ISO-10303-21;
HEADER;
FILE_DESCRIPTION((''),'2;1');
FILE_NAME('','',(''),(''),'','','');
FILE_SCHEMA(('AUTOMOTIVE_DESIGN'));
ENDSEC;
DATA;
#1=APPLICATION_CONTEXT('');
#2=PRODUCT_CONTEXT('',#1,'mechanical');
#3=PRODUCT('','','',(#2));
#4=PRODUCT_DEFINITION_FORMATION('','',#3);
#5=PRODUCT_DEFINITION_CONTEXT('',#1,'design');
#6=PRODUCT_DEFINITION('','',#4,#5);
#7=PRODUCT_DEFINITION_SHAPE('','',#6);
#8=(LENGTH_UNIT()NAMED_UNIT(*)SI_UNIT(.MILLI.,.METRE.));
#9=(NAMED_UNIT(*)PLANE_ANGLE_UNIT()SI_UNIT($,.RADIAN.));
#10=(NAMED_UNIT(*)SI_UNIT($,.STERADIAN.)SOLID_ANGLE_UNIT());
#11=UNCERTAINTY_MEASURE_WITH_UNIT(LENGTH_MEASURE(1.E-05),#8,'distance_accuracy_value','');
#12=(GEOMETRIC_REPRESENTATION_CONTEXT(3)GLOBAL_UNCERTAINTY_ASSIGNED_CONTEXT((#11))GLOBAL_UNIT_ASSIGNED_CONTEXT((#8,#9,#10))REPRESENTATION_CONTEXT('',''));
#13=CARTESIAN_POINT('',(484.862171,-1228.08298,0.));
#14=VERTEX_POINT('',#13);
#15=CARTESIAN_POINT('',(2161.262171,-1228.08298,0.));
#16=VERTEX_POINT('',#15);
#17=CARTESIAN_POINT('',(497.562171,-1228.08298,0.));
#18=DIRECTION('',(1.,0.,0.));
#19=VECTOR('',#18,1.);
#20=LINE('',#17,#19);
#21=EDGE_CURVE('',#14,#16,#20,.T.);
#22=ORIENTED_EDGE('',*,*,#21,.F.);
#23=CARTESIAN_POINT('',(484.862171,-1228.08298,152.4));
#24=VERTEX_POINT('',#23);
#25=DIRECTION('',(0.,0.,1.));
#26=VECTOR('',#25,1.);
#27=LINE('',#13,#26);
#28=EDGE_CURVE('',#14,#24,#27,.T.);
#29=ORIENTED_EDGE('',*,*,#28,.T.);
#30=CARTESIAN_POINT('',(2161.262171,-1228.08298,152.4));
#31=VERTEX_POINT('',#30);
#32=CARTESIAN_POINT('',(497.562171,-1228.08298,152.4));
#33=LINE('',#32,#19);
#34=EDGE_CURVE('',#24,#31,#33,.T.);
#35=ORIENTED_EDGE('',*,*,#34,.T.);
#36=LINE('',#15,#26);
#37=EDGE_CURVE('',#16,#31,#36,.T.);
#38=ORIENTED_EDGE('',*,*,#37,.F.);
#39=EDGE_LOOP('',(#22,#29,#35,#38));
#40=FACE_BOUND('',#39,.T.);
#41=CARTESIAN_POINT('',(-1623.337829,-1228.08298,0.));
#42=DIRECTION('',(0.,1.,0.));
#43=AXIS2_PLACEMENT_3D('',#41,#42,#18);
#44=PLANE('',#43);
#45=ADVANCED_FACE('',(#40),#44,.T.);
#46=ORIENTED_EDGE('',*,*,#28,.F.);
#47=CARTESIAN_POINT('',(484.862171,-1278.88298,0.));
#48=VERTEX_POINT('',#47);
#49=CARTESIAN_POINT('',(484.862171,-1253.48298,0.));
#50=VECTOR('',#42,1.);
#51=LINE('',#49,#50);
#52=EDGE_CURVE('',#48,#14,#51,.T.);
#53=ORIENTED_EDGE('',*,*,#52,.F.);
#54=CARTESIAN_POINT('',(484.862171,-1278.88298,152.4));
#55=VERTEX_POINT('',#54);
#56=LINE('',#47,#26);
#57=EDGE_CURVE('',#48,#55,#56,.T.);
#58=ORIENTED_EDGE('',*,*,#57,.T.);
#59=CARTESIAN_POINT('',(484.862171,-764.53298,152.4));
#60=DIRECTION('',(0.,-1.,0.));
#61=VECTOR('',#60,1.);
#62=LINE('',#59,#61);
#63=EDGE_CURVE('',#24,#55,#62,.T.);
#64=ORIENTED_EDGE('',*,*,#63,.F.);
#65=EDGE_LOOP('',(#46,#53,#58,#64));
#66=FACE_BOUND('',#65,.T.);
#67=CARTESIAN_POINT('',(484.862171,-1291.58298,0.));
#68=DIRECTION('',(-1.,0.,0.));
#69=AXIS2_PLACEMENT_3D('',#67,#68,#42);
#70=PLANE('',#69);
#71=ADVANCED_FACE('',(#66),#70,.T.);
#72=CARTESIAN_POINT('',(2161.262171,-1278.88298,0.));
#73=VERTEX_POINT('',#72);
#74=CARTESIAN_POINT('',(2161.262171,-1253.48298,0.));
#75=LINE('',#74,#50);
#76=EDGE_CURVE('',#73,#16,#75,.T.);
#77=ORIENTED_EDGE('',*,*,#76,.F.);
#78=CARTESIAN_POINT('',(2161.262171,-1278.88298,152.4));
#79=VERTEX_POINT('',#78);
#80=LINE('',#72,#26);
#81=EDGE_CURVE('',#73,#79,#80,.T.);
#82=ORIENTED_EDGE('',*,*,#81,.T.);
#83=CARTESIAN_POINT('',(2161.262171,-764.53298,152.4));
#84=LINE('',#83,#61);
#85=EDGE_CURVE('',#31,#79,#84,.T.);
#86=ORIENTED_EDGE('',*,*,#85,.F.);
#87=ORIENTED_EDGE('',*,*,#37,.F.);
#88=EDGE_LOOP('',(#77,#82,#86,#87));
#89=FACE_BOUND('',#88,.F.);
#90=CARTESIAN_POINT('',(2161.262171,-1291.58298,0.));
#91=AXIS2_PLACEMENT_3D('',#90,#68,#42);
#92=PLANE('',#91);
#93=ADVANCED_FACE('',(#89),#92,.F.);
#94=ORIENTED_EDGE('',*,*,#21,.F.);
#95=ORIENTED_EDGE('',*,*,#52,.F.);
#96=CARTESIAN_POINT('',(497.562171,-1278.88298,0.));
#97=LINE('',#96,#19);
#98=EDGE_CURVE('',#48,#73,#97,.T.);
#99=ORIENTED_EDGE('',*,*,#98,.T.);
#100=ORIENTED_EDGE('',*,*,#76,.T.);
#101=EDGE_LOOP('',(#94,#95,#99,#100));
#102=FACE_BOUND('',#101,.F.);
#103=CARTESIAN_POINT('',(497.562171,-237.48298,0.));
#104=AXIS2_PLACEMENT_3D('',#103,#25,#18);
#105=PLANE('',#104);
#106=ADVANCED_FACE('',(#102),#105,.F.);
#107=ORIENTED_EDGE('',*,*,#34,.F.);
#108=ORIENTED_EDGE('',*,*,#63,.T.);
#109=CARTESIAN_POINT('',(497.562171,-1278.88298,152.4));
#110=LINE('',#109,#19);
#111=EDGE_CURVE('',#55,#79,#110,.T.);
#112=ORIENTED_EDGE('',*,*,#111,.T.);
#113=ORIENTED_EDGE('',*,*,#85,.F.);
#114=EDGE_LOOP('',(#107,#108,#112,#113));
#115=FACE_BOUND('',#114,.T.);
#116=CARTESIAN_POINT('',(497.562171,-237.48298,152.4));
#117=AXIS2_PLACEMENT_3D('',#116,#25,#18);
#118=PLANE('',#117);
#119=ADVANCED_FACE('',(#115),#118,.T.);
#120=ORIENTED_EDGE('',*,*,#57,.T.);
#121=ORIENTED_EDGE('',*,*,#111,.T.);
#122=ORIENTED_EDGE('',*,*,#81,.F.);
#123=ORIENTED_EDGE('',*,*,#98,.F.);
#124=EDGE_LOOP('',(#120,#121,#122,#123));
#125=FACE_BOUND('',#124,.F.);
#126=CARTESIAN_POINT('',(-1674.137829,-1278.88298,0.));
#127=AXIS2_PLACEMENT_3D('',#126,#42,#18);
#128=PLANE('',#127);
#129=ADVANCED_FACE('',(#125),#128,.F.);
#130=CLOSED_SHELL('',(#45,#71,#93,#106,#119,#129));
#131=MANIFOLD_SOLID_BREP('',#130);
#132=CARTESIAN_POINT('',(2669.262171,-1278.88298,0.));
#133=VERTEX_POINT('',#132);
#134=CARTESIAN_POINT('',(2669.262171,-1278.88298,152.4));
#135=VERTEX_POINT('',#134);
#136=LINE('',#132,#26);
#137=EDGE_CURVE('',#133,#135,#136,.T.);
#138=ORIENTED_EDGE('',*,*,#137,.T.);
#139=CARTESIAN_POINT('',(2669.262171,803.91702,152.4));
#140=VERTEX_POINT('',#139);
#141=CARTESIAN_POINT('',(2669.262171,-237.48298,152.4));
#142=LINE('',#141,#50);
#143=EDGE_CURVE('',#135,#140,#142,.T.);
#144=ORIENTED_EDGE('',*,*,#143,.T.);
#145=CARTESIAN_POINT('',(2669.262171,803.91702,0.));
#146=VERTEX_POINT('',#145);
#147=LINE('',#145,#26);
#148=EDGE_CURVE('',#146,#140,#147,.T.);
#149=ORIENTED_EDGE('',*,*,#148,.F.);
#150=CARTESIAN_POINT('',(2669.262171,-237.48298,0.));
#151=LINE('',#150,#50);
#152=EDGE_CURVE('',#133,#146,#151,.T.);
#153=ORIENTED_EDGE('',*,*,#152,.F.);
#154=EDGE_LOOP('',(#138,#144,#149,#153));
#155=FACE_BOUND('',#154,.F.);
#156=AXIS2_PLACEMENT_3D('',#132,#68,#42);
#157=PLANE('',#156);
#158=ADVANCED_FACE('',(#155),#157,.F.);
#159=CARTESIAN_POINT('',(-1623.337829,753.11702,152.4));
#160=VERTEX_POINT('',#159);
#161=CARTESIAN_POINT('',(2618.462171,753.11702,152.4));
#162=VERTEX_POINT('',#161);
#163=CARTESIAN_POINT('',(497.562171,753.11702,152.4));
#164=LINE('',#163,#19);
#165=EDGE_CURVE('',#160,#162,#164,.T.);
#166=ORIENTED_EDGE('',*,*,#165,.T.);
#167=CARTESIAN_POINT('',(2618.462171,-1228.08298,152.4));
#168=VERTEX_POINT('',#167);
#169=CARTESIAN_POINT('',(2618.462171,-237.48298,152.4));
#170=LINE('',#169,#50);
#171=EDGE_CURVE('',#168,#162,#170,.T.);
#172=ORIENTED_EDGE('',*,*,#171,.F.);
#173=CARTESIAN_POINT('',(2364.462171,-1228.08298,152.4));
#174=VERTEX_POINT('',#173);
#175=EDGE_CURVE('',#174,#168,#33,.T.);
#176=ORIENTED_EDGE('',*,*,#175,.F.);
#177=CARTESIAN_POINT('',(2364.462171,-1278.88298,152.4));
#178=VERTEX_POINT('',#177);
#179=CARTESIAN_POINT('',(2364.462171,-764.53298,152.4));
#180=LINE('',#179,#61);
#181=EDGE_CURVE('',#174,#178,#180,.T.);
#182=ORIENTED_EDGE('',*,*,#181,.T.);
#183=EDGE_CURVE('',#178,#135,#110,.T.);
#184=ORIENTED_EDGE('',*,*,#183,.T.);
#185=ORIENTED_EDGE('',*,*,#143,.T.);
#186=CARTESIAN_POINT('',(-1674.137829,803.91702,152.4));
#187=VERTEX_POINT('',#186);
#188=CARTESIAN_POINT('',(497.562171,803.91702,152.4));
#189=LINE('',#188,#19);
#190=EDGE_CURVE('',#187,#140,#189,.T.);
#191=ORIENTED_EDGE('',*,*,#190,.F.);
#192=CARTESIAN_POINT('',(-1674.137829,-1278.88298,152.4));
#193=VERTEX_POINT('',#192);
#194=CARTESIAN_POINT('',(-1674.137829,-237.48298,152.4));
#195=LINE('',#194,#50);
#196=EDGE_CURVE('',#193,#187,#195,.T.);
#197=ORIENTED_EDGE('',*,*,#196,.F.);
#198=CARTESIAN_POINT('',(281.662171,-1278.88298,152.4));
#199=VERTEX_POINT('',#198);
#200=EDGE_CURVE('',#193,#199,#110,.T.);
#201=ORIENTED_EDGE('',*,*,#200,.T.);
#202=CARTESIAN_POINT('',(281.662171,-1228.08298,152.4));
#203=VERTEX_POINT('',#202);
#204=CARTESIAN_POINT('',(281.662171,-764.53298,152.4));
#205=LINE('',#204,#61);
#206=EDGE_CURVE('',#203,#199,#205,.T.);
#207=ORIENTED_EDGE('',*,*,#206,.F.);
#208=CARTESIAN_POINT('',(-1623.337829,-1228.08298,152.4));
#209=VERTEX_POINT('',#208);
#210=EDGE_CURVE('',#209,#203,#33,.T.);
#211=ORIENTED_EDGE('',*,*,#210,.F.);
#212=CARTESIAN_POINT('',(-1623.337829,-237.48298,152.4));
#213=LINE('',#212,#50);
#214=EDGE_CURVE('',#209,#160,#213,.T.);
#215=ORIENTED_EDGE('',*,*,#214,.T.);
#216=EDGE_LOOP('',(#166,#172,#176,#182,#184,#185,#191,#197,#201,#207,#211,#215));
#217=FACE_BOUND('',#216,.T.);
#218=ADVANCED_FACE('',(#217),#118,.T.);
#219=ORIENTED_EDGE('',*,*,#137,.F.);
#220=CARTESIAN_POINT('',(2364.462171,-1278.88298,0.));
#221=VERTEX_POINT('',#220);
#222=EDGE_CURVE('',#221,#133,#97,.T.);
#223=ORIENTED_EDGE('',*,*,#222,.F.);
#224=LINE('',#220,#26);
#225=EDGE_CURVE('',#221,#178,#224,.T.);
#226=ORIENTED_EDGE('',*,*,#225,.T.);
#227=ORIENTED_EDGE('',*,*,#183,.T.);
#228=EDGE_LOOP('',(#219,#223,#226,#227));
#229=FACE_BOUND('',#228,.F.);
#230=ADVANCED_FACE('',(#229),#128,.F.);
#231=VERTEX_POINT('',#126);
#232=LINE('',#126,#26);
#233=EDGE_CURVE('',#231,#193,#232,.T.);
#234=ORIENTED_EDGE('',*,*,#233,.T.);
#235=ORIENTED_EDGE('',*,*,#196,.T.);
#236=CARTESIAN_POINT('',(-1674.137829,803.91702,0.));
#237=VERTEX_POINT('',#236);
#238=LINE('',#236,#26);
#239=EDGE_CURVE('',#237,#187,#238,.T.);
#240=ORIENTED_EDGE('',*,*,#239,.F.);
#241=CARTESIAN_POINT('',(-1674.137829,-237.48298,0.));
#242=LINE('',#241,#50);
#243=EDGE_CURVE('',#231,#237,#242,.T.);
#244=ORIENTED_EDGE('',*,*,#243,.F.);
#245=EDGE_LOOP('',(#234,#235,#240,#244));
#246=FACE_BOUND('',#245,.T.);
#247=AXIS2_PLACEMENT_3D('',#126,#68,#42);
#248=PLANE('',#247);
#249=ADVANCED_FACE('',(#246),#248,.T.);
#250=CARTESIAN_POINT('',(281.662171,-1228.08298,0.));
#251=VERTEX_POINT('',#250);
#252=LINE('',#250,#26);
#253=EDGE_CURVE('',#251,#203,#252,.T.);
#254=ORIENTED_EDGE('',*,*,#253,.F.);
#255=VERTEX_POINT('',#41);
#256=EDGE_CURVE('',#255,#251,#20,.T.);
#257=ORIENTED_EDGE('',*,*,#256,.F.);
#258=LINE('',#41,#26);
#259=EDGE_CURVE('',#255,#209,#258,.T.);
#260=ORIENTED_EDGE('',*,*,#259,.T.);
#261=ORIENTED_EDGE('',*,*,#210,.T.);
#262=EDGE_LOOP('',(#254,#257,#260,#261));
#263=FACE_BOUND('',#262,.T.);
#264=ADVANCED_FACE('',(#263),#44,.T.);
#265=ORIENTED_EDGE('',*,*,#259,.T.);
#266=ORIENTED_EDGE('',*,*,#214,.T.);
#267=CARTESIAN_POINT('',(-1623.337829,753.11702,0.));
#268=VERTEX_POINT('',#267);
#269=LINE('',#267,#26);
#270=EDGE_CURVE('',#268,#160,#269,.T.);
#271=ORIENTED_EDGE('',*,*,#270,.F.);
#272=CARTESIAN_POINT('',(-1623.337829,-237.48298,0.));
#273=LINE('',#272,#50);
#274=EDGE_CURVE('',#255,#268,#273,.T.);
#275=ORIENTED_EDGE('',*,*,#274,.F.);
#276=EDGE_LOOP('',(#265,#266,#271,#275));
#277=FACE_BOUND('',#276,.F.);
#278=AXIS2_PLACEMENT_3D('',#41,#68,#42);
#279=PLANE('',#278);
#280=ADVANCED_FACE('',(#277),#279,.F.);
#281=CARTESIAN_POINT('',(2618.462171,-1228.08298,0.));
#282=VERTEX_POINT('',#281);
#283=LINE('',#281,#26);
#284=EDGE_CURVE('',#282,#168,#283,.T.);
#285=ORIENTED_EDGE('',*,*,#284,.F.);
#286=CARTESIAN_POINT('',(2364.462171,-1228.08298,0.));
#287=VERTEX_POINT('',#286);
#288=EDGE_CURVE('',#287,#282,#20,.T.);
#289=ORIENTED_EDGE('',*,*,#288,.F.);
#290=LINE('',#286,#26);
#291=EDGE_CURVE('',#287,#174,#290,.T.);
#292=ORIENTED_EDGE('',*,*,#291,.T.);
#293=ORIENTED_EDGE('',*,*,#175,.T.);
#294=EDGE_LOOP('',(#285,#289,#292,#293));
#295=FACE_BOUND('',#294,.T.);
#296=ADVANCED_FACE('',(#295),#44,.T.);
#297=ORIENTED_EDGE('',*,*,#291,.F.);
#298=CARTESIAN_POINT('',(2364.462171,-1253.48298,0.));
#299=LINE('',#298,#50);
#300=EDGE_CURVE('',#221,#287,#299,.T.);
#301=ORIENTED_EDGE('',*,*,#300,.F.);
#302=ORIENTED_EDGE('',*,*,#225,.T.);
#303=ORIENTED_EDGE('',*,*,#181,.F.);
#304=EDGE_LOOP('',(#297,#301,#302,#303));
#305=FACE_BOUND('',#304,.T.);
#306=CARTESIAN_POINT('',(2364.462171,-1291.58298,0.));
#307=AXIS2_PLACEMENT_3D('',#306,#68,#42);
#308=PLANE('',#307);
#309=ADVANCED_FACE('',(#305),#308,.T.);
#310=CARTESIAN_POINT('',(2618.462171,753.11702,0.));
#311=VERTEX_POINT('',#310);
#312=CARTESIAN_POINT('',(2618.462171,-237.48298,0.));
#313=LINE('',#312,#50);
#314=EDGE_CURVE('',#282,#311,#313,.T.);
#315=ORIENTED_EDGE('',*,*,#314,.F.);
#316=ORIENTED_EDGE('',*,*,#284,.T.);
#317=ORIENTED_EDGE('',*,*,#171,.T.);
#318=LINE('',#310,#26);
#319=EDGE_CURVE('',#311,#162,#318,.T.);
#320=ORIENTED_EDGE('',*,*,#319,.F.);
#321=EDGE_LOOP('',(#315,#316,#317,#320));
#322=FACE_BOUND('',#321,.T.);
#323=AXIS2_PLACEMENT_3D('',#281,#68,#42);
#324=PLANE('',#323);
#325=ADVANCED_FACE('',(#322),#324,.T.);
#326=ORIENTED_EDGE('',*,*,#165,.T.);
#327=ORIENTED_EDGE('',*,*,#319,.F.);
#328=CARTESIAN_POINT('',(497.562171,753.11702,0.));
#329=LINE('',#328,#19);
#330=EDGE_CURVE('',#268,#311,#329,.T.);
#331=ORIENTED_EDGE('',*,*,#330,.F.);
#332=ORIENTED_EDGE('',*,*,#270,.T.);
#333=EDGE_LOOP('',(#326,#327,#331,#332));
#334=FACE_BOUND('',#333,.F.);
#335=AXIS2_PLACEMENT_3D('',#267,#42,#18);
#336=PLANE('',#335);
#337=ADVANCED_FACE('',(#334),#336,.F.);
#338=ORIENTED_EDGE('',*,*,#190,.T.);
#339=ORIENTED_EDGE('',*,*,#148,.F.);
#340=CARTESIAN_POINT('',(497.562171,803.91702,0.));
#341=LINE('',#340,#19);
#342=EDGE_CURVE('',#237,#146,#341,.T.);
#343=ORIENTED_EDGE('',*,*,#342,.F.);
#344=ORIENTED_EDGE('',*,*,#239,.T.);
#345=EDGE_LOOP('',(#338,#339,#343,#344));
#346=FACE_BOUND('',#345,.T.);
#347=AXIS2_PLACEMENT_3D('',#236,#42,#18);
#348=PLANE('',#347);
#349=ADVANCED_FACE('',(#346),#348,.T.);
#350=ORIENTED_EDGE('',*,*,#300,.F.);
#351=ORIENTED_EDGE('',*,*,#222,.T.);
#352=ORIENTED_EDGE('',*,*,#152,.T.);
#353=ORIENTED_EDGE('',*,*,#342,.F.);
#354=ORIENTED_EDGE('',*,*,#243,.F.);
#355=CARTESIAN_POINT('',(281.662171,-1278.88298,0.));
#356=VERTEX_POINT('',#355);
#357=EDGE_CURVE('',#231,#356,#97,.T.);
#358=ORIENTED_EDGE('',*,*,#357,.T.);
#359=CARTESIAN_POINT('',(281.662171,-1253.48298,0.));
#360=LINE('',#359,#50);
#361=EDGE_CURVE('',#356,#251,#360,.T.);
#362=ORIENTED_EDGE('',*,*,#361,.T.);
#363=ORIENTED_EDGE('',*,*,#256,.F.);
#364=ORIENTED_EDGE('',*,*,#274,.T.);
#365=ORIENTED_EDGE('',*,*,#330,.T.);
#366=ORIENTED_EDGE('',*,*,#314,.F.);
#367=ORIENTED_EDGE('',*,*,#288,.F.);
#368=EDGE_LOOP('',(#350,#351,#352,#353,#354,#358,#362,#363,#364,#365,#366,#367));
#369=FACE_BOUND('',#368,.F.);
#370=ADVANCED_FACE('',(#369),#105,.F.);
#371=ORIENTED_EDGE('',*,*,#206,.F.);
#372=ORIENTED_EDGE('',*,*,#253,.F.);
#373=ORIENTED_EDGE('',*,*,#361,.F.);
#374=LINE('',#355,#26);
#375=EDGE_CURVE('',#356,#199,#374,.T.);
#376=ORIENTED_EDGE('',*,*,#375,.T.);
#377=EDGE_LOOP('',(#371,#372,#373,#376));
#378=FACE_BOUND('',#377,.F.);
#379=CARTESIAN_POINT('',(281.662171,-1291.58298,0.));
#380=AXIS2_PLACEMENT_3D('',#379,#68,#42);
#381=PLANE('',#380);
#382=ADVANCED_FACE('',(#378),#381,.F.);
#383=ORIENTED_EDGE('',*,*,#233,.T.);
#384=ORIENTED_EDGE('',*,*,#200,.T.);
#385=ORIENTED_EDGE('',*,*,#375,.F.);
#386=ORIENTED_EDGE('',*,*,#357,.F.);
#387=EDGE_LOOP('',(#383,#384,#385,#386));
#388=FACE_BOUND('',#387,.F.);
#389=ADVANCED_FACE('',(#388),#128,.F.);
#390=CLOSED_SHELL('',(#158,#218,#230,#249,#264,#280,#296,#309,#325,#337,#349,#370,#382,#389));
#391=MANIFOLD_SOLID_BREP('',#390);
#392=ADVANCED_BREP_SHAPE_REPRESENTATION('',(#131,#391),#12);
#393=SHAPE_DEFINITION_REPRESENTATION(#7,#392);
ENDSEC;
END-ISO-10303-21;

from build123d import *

# Parameters (mm, degrees)
F0_W     = 4343.4
F0_H     = 2082.8
F0_W_2   = 4241.8
F0_H_2   = 1981.2
F1_DEPTH = 152.4
F2_W     = 203.2
F2_H     = 76.2
F3_DEPTH = 152.401


with BuildPart() as f1:
    # F0 (on Top) → F1 (new body)
    with BuildSketch(Plane.XY):
        with Locations((497.562171024, -237.4829803467)):
            Rectangle(F0_W, F0_H)
        with Locations((497.562171024, -237.4829803467)):
            Rectangle(F0_W_2, F0_H_2, mode=Mode.SUBTRACT)
    extrude(amount=F1_DEPTH)

    # F2 (on Top) → F3 (cut, through all)
    with BuildSketch(Plane.XY):
        with Locations((383.262171024, -1253.4829803467)):
            Rectangle(F2_W, F2_H)
        with Locations((2262.862171024, -1253.4829803467)):
            Rectangle(F2_W, F2_H)
    extrude(amount=F3_DEPTH, mode=Mode.SUBTRACT)


solid = f1.part
